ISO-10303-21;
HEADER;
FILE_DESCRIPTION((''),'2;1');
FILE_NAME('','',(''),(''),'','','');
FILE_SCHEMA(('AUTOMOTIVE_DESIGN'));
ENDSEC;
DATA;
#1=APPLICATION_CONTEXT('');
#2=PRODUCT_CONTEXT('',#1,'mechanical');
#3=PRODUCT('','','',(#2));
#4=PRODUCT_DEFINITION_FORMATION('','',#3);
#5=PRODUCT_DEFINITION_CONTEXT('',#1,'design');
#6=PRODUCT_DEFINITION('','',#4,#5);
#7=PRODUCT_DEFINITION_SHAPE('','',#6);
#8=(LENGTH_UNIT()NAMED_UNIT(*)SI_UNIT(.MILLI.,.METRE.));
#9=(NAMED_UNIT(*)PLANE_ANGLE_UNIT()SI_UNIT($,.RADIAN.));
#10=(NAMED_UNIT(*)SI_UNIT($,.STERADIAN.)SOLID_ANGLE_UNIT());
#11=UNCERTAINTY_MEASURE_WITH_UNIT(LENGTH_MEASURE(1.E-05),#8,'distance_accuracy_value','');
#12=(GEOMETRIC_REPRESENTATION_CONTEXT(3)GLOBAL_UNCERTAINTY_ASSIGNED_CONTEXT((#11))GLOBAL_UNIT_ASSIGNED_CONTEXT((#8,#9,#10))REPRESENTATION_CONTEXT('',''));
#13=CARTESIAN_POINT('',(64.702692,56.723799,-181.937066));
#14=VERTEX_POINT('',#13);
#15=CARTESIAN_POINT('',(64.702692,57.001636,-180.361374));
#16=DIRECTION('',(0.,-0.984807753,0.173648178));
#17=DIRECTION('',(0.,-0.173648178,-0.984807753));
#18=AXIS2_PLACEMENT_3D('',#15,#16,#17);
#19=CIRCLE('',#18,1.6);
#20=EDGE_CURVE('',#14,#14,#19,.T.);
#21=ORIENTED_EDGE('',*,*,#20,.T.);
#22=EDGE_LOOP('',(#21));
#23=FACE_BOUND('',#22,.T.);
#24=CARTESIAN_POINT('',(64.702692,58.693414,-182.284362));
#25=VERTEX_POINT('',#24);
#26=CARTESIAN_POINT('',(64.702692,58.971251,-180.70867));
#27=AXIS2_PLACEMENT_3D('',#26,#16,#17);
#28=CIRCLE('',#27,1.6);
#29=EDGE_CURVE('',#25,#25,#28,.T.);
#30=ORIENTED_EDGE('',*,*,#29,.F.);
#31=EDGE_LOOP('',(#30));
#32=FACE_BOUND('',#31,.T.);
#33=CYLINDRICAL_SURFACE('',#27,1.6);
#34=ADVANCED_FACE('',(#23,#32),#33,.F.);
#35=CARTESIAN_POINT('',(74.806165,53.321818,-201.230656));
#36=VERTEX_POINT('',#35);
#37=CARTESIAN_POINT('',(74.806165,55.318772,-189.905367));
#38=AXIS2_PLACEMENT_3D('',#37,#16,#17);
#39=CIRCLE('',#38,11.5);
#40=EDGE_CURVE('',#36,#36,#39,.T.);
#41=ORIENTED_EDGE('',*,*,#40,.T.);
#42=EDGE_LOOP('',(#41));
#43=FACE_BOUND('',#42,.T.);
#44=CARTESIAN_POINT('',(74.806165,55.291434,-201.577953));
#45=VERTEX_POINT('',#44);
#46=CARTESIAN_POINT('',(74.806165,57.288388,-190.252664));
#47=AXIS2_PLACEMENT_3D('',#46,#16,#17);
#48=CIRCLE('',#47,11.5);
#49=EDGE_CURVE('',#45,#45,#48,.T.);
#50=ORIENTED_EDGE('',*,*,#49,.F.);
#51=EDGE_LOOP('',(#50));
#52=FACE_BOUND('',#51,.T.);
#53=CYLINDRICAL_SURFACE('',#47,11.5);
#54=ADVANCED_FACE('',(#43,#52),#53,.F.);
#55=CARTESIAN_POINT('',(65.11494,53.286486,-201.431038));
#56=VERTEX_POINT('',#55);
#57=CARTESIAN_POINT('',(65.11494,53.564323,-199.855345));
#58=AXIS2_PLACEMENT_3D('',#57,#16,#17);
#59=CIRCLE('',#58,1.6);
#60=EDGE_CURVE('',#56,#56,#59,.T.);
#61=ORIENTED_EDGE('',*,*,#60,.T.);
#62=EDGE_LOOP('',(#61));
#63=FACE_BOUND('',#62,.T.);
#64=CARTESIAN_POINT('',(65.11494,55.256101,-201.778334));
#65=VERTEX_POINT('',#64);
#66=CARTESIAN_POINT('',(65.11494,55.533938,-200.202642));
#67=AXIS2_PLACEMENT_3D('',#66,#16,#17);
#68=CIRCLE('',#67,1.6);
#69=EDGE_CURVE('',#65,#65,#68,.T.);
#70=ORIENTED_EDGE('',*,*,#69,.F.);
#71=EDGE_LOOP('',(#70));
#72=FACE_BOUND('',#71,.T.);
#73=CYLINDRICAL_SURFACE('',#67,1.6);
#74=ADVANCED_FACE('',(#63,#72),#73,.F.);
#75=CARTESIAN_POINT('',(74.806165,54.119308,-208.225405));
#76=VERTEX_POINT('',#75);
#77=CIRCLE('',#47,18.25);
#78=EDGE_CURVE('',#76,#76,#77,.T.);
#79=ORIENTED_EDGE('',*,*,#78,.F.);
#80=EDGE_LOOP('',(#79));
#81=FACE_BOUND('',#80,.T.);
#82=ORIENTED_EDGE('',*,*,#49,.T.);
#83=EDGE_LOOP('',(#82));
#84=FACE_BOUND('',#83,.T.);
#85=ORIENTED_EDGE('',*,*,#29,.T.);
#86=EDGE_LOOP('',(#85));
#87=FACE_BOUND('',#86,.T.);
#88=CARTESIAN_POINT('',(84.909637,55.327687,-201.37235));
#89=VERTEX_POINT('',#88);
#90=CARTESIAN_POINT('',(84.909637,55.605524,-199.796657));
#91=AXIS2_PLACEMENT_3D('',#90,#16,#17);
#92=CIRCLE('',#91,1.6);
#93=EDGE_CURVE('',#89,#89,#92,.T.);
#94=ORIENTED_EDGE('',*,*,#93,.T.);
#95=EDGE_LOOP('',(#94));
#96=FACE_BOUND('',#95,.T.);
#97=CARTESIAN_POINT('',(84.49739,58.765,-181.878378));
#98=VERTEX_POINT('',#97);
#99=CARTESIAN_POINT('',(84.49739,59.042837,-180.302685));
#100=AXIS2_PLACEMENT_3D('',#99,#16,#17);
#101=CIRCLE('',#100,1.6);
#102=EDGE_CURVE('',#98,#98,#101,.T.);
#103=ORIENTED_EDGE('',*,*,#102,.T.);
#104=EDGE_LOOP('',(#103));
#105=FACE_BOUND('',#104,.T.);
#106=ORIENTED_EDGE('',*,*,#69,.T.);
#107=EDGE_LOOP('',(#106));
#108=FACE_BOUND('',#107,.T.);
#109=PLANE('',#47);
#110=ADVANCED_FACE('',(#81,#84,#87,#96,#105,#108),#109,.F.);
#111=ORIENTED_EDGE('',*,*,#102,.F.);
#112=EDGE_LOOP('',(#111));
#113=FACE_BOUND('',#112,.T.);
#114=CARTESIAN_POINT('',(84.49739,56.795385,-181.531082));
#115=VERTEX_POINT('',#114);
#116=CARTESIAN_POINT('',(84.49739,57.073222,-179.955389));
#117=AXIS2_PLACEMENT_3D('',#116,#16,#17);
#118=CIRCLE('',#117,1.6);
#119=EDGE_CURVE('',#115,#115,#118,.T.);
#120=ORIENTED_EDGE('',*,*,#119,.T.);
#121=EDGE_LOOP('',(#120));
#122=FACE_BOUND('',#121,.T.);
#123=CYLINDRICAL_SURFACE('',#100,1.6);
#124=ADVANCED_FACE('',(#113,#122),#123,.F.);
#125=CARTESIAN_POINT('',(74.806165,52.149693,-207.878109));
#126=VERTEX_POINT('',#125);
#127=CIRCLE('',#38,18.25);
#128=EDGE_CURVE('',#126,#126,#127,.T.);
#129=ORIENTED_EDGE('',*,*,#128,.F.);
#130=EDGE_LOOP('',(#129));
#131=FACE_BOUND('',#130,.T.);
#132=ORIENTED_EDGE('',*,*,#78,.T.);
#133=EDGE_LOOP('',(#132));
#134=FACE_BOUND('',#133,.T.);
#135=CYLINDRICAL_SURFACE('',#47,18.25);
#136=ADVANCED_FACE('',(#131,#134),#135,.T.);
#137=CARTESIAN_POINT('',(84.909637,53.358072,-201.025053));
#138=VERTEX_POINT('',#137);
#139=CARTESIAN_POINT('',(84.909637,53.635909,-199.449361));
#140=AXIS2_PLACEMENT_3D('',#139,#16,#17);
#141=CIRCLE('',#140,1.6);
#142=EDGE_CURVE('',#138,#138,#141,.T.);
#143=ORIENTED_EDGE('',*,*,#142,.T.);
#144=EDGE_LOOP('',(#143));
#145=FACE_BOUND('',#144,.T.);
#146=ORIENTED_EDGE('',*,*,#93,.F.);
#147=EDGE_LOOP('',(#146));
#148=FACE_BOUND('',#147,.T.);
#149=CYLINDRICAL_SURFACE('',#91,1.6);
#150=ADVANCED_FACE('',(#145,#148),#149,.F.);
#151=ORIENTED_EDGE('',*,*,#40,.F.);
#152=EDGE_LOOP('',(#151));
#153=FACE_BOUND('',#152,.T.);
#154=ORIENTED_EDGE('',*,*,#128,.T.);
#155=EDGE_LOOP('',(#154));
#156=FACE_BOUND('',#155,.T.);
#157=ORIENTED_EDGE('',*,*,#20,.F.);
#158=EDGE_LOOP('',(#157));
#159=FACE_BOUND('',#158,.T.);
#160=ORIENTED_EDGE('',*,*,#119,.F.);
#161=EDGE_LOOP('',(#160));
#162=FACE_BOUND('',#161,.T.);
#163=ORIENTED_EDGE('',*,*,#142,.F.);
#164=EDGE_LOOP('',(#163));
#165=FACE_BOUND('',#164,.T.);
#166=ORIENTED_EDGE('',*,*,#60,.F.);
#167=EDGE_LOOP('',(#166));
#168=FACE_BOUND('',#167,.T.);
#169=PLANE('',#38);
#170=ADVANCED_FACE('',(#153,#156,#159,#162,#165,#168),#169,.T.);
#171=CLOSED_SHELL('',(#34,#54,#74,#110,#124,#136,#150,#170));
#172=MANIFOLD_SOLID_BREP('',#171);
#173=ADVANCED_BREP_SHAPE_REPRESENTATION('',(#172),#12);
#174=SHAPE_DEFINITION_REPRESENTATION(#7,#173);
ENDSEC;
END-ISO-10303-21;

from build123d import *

# Parameters (mm, degrees)
SKETCH1_R           = 18.25
SKETCH1_R_2         = 11.5
SKETCH1_R_3         = 1.6
BOSS_EXTRUDE1_DEPTH = 2


with BuildPart() as part:
    # Sketch1 → Boss-Extrude1 (new body)
    with BuildSketch(Plane(origin=(0, 86.126437578, -15.186414697), x_dir=(1, 0, 0), z_dir=(0, -0.9848077530122081, 0.17364817766693072))):
        with Locations(Location((74.806164697, -177.414273966, 0), (0, 0, 270))):
            Circle(SKETCH1_R)
        with Locations(Location((74.806164697, -177.414273966, 0), (0, 0, 270))):
            Circle(SKETCH1_R_2, mode=Mode.SUBTRACT)
        with Locations(Location((64.702692178, -167.723048911, 0), (0, 0, 270))):
            Circle(SKETCH1_R_3, mode=Mode.SUBTRACT)
        with Locations(Location((84.497389752, -167.310801447, 0), (0, 0, 270))):
            Circle(SKETCH1_R_3, mode=Mode.SUBTRACT)
        with Locations(Location((84.909637216, -187.105499021, 0), (0, 0, 270))):
            Circle(SKETCH1_R_3, mode=Mode.SUBTRACT)
        with Locations(Location((65.114939642, -187.517746485, 0), (0, 0, 270))):
            Circle(SKETCH1_R_3, mode=Mode.SUBTRACT)
    extrude(amount=-BOSS_EXTRUDE1_DEPTH)


solid = part.part
